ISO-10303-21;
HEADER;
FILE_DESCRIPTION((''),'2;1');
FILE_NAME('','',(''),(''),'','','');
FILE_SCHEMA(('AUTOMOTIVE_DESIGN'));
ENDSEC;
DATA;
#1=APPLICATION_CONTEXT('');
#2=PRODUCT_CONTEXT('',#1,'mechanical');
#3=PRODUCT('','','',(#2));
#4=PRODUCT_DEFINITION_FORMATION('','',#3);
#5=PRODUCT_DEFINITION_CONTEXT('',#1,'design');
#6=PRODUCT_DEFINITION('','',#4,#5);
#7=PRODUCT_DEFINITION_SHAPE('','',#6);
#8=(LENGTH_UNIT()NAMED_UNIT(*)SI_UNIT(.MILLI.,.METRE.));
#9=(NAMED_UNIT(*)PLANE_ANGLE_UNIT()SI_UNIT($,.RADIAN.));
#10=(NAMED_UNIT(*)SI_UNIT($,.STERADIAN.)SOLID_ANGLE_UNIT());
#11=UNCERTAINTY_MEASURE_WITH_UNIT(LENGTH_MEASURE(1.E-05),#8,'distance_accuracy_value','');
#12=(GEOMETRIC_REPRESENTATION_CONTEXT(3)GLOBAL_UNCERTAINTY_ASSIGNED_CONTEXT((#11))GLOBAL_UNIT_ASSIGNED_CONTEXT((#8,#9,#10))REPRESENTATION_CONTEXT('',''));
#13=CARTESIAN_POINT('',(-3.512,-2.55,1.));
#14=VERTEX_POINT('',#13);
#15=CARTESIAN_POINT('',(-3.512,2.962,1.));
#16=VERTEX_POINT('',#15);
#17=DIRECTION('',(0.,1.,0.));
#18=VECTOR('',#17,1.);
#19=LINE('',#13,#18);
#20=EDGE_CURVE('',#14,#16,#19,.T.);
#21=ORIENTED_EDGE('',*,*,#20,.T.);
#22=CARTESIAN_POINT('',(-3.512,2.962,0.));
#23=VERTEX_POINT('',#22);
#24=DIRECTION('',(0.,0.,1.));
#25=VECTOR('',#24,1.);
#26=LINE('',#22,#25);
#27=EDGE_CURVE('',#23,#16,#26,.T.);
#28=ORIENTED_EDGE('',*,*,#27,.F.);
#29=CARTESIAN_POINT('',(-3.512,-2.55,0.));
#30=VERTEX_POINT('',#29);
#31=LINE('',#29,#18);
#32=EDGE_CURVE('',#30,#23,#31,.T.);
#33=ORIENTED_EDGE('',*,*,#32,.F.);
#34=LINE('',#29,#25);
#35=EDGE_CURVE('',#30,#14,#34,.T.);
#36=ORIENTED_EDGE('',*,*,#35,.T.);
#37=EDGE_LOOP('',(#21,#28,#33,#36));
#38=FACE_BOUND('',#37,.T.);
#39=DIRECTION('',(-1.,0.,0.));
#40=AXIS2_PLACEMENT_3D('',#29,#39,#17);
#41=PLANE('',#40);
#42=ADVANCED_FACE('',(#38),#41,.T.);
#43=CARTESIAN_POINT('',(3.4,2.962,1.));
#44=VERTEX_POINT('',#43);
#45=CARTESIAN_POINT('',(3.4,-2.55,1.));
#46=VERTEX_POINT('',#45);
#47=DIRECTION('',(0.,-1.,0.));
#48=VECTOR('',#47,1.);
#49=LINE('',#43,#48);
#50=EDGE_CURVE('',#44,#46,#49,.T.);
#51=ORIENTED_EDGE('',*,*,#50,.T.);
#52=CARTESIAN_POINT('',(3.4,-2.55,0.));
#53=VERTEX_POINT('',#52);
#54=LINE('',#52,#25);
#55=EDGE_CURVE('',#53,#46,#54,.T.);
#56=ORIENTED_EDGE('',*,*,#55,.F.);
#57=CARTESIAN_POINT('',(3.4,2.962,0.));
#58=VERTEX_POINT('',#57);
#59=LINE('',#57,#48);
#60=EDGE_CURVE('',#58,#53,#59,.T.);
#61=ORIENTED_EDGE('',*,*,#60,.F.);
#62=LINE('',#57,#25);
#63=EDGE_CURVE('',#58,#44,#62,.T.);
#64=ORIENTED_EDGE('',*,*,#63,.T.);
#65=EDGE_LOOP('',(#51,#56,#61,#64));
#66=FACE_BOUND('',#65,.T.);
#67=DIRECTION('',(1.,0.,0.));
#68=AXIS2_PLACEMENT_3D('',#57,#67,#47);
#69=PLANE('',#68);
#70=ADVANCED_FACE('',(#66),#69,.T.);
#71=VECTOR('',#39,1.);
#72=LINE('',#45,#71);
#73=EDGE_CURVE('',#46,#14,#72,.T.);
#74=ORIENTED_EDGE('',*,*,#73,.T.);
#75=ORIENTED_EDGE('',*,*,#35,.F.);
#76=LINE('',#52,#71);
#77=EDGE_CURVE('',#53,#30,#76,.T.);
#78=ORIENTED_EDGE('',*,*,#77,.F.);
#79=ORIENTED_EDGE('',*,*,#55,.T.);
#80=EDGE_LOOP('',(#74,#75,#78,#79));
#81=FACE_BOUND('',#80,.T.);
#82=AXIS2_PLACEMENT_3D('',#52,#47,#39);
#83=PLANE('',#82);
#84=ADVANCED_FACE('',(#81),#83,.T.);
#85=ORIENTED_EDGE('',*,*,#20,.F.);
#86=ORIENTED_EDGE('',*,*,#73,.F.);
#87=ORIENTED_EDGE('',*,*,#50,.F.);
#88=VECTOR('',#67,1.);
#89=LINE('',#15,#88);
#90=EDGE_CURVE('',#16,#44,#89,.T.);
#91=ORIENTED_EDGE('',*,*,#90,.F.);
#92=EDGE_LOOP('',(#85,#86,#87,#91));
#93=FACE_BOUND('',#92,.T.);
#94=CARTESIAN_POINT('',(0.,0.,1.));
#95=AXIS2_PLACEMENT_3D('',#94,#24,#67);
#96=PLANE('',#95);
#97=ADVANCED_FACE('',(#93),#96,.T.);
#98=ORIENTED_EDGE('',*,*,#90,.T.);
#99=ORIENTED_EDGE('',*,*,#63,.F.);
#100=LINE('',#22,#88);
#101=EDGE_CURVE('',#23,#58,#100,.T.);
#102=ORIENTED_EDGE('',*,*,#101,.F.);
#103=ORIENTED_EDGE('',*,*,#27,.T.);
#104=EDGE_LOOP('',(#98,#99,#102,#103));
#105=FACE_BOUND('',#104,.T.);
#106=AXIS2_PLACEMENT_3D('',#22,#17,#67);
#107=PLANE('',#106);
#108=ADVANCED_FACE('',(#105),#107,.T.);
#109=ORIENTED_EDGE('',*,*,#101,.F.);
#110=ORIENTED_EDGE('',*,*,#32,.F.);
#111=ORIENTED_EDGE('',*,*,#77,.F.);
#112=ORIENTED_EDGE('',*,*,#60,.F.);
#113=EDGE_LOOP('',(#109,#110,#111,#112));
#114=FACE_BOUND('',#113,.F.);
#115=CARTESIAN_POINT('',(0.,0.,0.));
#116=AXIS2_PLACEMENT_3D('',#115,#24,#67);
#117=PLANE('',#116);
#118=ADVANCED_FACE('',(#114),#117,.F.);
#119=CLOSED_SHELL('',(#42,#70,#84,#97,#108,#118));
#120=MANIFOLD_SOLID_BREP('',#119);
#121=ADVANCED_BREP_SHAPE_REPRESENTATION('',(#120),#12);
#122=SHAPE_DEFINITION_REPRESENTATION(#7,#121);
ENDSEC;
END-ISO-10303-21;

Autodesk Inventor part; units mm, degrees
ref_plane "YZ Plane" through (0, 0, 0) normal (1, 0, 0) x (0, 1, 0)
ref_plane "XZ Plane" through (0, 0, 0) normal (0, 1, 0) x (-1, 0, 0)
ref_plane "XY Plane" through (0, 0, 0) normal (0, 0, 1) x (1, 0, 0)
sketch "SOIC8, AT25DQ161_53" plane through (0, 0, 0) normal (0, 0, 1) x (1, 0, 0)
  line L0 (-3.512, -2.55) -> (-3.512, 2.962)
  line L1 (-3.512, 2.962) -> (3.4, 2.962)
  line L2 (3.4, 2.962) -> (3.4, -2.55)
  line L3 (3.4, -2.55) -> (-3.512, -2.55)
extrude "Extrusion1" add sketch "SOIC8, AT25DQ161_53" along normal blind 1
properties part number "AT25DQ161"
